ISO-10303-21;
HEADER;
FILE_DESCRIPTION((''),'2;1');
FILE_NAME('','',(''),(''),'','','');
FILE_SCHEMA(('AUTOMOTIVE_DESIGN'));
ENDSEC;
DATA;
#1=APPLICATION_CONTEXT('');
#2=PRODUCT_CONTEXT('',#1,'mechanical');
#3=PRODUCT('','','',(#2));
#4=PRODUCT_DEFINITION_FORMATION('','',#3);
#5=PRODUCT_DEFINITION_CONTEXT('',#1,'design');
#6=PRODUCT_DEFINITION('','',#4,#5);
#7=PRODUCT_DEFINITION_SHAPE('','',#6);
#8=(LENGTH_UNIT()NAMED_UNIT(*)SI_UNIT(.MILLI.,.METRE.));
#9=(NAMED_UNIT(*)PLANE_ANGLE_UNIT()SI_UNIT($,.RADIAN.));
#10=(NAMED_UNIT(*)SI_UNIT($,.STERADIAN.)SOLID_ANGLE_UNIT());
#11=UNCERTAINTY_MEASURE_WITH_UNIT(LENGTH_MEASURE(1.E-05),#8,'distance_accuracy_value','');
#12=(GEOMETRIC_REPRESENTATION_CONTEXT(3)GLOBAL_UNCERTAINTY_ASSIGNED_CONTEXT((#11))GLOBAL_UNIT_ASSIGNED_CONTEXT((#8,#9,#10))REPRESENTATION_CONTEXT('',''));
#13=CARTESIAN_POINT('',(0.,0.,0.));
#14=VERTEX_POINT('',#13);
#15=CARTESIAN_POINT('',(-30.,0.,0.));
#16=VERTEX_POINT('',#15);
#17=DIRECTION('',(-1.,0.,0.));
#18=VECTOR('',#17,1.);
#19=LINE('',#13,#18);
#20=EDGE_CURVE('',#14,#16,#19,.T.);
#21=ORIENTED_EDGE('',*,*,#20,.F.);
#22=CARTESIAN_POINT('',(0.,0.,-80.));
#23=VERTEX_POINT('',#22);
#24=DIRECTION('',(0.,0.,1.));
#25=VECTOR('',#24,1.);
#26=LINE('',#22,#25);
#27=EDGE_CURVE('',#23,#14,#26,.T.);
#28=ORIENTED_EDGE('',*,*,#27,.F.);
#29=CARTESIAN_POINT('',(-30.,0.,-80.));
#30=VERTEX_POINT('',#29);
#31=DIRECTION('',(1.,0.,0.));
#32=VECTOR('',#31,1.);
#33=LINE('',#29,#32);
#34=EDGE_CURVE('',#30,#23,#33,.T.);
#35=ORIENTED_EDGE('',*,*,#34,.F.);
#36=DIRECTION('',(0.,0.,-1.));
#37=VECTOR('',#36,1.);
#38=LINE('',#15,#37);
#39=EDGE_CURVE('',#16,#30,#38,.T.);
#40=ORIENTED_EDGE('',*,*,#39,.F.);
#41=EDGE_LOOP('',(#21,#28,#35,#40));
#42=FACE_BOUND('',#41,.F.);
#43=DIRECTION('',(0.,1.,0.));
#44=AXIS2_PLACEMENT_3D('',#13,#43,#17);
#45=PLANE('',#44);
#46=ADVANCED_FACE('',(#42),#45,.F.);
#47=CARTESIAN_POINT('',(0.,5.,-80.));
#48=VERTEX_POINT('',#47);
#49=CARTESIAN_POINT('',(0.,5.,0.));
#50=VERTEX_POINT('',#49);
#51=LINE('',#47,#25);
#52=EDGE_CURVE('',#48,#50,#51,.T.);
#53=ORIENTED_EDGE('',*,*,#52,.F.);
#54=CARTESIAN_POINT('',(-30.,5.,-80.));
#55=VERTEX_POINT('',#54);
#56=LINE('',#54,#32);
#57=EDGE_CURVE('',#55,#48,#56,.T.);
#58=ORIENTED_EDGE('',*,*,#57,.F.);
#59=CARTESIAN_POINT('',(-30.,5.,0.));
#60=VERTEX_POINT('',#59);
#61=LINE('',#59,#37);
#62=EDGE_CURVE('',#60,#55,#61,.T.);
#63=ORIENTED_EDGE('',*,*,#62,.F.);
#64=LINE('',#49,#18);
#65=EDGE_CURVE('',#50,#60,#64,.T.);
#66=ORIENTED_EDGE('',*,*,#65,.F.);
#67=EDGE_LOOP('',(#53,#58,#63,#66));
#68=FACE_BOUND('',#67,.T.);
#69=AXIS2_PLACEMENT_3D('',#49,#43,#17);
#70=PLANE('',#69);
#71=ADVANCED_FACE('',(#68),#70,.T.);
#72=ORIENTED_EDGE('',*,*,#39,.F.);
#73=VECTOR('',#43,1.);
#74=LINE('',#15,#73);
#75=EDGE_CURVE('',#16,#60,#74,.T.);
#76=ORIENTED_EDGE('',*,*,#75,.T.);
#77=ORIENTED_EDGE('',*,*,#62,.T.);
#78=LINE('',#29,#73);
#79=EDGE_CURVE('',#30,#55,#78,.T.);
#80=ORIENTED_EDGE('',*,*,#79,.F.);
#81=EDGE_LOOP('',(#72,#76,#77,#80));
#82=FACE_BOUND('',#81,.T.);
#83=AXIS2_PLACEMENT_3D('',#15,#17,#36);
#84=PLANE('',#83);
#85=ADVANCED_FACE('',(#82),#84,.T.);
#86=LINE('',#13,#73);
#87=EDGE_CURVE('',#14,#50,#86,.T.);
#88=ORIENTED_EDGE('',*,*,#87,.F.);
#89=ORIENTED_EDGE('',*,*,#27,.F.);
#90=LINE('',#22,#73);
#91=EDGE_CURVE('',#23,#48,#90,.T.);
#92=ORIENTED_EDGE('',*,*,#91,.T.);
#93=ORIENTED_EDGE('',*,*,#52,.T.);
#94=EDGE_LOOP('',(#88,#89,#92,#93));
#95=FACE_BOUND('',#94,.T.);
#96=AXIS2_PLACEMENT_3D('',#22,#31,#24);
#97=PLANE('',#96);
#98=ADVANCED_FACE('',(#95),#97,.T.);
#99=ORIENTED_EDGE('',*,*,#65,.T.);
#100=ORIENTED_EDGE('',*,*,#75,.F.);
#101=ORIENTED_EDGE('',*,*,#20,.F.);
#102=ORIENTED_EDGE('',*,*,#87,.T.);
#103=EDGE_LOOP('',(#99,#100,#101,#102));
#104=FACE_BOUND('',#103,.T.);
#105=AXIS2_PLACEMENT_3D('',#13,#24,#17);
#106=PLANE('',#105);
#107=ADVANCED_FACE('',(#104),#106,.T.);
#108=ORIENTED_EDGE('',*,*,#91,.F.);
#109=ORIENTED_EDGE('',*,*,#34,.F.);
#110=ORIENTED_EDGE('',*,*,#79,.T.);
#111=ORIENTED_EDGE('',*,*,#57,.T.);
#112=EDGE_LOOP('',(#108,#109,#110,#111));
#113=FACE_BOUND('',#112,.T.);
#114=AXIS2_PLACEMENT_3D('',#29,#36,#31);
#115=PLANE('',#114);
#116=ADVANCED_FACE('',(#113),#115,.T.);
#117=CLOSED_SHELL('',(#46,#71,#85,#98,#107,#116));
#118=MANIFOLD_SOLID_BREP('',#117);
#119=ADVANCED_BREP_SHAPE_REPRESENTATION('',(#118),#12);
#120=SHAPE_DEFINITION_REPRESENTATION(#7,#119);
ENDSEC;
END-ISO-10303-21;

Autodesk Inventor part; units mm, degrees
ref_plane "YZ Plane" through (0, 0, 0) normal (1, 0, 0) x (0, 1, 0)
ref_plane "XZ Plane" through (0, 0, 0) normal (0, 1, 0) x (-1, 0, 0)
ref_plane "XY Plane" through (0, 0, 0) normal (0, 0, 1) x (1, 0, 0)
sketch "Sketch1" plane through (0, 0, 0) normal (0, 1, 0) x (-1, 0, 0)
  line L0 (0, 0) -> (30, 0)
  line L1 (30, 0) -> (30, -80)
  line L2 (30, -80) -> (0, -80)
  line L3 (0, -80) -> (0, 0)
  dimension "d0" = 30
  dimension "d1" = 80
extrude "Extrusion1" add sketch "Sketch1" along normal blind 5
properties part number "Insertion_Slot_V1"
